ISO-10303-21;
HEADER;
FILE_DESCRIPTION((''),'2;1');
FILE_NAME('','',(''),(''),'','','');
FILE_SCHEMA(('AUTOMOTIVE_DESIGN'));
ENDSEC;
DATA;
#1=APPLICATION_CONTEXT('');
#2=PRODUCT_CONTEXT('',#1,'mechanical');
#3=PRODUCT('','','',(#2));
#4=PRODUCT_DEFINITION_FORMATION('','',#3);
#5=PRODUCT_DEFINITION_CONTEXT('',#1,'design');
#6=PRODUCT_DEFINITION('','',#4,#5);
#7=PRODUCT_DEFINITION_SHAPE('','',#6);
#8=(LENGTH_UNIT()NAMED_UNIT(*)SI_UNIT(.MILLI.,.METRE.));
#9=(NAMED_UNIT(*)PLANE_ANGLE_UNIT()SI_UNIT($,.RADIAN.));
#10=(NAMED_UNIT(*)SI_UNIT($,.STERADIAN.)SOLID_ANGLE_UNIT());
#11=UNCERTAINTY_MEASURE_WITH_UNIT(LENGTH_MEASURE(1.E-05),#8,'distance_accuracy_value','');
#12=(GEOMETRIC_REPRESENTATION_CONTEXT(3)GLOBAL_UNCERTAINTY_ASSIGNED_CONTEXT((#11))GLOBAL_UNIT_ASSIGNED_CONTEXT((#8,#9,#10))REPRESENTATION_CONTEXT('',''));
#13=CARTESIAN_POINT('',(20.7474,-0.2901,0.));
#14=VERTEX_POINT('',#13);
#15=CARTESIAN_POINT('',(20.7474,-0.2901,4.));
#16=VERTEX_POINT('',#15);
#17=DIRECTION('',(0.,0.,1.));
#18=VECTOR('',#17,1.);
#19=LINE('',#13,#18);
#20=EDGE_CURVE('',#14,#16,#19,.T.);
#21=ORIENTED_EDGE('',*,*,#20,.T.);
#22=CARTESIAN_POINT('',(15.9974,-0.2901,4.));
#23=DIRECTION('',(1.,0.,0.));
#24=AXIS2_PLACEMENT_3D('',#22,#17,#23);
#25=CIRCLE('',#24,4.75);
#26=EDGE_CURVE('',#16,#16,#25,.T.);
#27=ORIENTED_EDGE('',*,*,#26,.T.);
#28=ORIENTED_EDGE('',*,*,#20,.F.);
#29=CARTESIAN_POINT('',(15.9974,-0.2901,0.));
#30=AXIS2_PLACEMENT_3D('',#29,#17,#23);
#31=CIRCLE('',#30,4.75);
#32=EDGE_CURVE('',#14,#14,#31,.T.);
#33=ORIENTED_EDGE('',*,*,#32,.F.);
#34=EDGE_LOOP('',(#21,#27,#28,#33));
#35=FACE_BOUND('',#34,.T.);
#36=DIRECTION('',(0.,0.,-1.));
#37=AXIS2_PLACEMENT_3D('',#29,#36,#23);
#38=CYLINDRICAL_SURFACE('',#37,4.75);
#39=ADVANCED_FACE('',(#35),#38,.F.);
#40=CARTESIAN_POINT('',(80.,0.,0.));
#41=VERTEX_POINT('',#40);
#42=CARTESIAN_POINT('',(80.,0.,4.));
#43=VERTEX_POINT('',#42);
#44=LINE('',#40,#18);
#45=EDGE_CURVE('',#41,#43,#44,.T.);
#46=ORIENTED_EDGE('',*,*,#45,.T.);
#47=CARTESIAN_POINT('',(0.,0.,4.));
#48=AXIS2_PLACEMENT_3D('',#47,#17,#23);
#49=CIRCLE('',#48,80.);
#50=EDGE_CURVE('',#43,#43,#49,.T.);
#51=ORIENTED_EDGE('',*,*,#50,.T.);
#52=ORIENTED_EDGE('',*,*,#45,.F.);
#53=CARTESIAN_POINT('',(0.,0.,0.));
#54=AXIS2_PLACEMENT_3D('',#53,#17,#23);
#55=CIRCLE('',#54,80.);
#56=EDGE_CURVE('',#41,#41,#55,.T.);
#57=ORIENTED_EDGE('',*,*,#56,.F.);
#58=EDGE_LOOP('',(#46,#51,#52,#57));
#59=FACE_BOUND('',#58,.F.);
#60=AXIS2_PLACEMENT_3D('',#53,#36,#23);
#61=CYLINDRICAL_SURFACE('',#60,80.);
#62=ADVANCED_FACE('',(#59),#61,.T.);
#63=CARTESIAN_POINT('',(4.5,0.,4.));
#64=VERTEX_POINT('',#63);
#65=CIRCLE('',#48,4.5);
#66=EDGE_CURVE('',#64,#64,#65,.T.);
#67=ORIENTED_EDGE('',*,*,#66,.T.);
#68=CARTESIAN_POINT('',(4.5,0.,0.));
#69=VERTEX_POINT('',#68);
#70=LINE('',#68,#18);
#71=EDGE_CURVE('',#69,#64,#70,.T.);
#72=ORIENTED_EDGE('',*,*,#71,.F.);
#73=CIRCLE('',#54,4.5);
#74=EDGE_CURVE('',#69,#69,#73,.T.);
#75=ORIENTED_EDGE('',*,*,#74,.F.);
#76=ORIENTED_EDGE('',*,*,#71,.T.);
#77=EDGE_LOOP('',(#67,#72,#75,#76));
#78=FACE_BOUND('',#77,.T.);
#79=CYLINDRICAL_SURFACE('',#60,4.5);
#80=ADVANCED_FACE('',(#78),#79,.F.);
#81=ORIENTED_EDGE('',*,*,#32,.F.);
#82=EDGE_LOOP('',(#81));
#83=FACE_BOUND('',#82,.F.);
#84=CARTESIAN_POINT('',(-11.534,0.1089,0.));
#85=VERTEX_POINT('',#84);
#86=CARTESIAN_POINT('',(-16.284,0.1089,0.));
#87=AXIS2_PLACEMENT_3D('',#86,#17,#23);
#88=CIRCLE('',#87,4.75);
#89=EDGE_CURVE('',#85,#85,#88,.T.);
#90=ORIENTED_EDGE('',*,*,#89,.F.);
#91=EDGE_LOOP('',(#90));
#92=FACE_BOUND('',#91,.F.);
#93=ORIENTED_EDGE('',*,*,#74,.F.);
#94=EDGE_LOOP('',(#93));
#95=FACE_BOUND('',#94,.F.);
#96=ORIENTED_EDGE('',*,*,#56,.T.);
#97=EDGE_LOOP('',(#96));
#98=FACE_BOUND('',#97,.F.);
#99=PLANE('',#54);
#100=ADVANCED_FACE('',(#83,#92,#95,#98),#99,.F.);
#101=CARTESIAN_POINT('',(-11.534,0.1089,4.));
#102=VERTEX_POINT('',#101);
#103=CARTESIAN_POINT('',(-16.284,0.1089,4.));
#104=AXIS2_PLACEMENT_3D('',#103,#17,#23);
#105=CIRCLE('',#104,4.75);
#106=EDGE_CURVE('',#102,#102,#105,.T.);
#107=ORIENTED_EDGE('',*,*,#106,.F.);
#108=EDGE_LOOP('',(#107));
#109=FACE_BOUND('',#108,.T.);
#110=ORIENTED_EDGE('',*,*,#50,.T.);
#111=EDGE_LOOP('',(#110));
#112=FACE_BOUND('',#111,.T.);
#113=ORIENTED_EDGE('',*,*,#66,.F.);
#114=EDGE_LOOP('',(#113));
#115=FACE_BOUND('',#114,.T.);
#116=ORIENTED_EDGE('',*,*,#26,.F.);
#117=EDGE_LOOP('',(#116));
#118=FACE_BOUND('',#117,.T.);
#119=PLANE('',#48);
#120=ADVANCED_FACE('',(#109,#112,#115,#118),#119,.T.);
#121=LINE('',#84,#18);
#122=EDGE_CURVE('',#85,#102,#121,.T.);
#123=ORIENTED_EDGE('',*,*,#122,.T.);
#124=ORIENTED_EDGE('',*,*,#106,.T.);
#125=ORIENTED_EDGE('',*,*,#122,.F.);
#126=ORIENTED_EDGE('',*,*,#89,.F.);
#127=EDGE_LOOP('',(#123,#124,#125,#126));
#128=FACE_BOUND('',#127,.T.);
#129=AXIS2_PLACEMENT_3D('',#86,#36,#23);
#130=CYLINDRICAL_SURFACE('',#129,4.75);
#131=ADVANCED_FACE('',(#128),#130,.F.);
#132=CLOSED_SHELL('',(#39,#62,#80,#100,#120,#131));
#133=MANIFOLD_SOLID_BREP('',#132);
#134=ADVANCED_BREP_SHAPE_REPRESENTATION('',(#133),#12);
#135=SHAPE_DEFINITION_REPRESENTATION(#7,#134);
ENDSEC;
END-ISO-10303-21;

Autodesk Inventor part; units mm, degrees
ref_plane "YZ Plane" through (0, 0, 0) normal (1, 0, 0) x (0, 1, 0)
ref_plane "XZ Plane" through (0, 0, 0) normal (0, 1, 0) x (-1, 0, 0)
ref_plane "XY Plane" through (0, 0, 0) normal (0, 0, 1) x (1, 0, 0)
sketch "Эскиз1" plane through (0, 0, 0) normal (0, 0, 1) x (1, 0, 0)
  circle A0 centre (0, 0) radius 80 projected
  line L0 (-52.7251, -56.1362) -> (-52.7358, -38.0942) construction
  arc A1 (-51.7364, -37.0936) -> (-52.7358, -38.0942) centre (-51.7358, -38.0936) ccw construction
  line L1 (-51.7364, -37.0936) -> (-13.2571, -37.0709) construction
  arc A2 (-12.2565, -38.0703) -> (-13.2571, -37.0709) centre (-13.2565, -38.0709) ccw construction
  line L2 (-12.2565, -38.0703) -> (-12.2459, -56.1122) construction
  arc A3 (-13.2453, -57.1128) -> (-12.2459, -56.1122) centre (-13.2459, -56.1128) ccw construction
  line L3 (-13.2453, -57.1128) -> (-51.7245, -57.1356) construction
  arc A4 (-52.7251, -56.1362) -> (-51.7245, -57.1356) centre (-51.7251, -56.1356) ccw construction
  circle A5 centre (-11.4805, -27.7164) radius 3.15 construction
  circle A6 centre (-27.7164, 11.4805) radius 3.15 construction
  circle A7 centre (11.4805, 27.7164) radius 3.15 construction
  circle A8 centre (27.7164, -11.4805) radius 3.15 construction
  circle A9 centre (15.9974, -0.2901) radius 4.75 projected
  circle A10 centre (-16.284, 0.1089) radius 4.75 projected
  circle A11 centre (0, 0) radius 4.5 projected
  circle A12 centre (0, 0) radius 39.5 construction
  point P0 (0, 0)
extrude "Выдавливание1" add sketch "Эскиз1" along normal blind 4
properties part number "лицо1"
